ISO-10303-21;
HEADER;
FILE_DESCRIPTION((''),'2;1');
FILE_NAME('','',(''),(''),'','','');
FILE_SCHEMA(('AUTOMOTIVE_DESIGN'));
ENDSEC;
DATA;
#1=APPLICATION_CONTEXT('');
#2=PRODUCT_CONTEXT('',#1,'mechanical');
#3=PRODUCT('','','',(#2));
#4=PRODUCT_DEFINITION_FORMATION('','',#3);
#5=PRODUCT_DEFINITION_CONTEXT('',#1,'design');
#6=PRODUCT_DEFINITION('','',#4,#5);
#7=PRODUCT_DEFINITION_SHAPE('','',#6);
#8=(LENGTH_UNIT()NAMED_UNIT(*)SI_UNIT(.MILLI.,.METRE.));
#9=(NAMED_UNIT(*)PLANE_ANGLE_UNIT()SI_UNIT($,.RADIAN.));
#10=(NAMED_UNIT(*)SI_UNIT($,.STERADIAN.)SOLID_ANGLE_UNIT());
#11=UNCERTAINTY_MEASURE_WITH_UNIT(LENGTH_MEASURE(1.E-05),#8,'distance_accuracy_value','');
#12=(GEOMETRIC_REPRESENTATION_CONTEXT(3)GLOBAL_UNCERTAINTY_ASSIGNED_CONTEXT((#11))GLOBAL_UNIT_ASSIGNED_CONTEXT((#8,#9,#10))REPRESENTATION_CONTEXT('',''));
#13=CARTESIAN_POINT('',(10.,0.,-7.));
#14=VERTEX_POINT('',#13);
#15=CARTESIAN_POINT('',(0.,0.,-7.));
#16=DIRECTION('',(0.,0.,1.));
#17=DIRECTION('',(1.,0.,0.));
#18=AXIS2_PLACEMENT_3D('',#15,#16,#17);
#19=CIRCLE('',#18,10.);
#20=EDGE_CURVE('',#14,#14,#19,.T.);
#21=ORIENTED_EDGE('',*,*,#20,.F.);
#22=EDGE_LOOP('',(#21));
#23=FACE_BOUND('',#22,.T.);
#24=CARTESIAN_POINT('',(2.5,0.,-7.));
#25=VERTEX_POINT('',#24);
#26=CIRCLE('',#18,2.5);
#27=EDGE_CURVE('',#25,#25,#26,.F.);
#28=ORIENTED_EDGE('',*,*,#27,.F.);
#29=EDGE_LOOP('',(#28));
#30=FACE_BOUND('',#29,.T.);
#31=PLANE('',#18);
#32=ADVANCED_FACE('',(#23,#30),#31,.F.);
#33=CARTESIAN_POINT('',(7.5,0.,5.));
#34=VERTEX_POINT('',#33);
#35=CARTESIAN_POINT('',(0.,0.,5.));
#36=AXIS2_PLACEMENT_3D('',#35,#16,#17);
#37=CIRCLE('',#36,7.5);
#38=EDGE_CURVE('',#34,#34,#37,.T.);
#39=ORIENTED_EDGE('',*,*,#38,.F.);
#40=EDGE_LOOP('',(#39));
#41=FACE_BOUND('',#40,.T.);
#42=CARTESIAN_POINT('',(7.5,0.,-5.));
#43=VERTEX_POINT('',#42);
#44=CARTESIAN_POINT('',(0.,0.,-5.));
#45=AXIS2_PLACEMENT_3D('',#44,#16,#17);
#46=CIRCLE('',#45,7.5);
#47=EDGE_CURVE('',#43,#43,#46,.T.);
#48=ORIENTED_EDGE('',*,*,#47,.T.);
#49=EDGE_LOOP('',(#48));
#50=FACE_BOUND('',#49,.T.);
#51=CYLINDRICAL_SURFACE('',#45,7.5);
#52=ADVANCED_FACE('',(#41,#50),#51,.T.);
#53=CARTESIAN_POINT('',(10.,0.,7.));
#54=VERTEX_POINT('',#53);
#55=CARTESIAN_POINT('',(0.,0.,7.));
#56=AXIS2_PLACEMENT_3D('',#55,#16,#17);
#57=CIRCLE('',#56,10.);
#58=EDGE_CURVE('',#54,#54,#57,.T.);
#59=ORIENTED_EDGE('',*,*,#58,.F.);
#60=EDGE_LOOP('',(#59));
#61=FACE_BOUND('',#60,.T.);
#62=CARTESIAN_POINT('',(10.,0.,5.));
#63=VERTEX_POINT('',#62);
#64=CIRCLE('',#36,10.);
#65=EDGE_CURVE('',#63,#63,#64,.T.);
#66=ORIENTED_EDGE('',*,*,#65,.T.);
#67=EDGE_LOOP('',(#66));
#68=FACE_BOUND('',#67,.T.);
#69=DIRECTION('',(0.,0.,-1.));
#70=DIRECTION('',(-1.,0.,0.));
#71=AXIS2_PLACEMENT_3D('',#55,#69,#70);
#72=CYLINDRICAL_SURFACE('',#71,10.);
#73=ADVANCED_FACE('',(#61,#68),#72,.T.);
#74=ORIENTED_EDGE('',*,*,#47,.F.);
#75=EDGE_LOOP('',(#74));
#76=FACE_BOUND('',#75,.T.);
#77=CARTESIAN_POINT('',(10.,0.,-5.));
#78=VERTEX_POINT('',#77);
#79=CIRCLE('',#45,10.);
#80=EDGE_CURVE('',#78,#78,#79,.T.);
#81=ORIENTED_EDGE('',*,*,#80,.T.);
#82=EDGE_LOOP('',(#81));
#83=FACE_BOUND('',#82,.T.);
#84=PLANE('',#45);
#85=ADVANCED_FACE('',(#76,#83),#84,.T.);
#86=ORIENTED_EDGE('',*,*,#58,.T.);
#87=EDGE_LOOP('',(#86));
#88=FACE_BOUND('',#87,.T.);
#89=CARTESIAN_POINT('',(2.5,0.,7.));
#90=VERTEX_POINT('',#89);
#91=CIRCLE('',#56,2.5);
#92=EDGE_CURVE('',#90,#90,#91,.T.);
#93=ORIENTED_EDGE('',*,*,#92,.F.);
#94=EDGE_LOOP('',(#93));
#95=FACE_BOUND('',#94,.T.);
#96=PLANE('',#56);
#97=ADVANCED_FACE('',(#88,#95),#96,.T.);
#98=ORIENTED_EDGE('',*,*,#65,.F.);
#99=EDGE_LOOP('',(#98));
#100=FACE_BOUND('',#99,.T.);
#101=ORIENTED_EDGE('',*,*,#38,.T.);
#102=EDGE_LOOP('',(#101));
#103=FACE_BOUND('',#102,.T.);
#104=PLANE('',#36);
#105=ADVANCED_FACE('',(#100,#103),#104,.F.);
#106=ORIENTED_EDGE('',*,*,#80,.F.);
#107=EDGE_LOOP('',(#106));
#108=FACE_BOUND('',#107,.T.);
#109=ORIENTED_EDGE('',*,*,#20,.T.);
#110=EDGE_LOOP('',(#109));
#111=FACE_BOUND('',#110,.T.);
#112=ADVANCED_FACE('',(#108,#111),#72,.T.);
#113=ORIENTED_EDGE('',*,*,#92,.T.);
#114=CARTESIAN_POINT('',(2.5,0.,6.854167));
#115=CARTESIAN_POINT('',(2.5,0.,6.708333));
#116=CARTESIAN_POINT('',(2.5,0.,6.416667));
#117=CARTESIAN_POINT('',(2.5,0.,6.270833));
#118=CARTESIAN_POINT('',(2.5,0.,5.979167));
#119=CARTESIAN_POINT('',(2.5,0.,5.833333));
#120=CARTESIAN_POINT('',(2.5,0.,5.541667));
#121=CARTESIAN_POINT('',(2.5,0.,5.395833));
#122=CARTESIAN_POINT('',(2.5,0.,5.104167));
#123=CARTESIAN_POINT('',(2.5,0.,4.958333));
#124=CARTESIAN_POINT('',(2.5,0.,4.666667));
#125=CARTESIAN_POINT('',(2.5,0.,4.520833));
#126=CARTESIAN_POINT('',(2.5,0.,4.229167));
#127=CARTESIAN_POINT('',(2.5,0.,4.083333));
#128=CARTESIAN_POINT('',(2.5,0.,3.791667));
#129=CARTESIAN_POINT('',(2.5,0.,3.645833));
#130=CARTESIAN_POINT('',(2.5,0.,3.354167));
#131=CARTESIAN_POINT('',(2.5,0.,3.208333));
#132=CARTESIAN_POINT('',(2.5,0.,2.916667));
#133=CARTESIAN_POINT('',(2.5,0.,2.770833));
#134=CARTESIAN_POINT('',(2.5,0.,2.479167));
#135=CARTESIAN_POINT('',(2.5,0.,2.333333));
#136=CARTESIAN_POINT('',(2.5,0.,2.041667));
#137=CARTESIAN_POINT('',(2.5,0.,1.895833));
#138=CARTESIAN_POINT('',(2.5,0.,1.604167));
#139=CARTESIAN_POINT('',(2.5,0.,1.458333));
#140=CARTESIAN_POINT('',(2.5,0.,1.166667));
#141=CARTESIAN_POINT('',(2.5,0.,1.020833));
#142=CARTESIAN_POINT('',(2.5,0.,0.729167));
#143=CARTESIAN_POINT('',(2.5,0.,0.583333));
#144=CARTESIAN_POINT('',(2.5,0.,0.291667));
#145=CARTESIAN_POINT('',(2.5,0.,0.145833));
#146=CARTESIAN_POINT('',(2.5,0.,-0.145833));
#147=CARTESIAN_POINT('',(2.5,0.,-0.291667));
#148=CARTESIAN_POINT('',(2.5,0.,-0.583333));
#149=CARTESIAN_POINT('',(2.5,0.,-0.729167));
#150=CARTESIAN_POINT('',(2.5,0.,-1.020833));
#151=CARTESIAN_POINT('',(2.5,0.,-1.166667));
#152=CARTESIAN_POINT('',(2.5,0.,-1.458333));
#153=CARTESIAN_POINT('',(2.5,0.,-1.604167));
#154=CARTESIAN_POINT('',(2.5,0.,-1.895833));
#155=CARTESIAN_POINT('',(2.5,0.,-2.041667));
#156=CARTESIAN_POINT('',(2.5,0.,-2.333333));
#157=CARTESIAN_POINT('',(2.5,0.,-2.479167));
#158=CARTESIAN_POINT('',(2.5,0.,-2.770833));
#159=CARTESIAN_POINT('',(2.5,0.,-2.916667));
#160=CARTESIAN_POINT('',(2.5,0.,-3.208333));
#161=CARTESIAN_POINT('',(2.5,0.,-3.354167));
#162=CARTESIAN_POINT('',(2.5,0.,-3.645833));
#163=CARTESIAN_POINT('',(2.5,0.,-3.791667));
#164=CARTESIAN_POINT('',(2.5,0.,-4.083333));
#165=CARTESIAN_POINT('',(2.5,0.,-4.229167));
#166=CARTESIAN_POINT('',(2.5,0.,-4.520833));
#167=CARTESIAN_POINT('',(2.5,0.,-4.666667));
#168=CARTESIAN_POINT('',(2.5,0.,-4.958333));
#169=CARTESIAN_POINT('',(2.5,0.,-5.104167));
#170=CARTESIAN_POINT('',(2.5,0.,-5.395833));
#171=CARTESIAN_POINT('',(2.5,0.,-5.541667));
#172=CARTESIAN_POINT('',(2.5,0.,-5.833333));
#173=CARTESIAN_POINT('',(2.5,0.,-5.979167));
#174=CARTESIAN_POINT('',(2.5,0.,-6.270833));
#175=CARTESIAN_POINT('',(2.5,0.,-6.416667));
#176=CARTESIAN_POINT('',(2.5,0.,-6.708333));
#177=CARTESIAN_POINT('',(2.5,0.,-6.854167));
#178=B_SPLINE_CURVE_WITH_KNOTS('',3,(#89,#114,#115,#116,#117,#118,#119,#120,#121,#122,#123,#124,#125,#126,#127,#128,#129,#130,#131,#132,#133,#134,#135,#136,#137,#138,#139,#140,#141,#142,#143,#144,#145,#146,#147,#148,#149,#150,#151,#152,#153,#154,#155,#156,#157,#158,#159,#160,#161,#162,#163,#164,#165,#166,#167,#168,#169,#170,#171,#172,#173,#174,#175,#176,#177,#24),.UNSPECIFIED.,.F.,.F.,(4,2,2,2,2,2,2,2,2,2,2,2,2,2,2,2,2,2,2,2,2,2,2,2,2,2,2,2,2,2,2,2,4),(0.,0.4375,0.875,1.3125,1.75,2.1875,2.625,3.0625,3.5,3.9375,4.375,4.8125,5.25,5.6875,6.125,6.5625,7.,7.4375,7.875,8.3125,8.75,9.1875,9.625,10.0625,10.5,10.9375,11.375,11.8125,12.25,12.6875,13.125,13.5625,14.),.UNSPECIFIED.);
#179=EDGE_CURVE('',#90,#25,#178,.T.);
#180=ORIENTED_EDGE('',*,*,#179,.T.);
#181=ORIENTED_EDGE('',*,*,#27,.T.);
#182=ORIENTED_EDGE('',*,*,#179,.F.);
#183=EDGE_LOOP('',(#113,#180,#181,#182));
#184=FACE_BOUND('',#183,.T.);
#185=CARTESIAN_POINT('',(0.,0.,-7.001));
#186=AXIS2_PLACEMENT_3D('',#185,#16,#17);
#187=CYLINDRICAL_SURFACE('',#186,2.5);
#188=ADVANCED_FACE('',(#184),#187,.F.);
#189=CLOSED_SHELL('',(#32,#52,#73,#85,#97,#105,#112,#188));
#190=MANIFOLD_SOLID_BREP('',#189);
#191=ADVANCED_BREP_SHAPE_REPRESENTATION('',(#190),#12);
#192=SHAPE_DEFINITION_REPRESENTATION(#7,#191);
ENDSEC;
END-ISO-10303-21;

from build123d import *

# Parameters (mm, degrees)
SKETCH1_R           = 10
BOSS_EXTRUDE1_DEPTH = 7
SKETCH2_R           = 10
SKETCH2_R_2         = 7.5
CUT_EXTRUDE2_DEPTH  = 5
CUT_EXTRUDE3_REACH  = 21.9
SKETCH3_R           = 2.5


with BuildPart() as part:
    # Sketch1 → Boss-Extrude1 (new, symmetric)
    with BuildSketch(Plane.XY):
        Circle(SKETCH1_R)
    extrude(amount=BOSS_EXTRUDE1_DEPTH, both=True)

    # Sketch2 → Cut-Extrude2 (cut, symmetric)
    with BuildSketch(Plane.XY):
        Circle(SKETCH2_R)
        Circle(SKETCH2_R_2, mode=Mode.SUBTRACT)
    extrude(amount=CUT_EXTRUDE2_DEPTH, both=True, mode=Mode.SUBTRACT)

    # Sketch3 → Cut-Extrude3 (cut, up to next)
    with BuildSketch(Plane.XY.offset(7), mode=Mode.PRIVATE) as cut_extrude3_sk1:
        Circle(SKETCH3_R)
    cut_extrude3_tool1 = extrude(cut_extrude3_sk1.sketch, amount=-CUT_EXTRUDE3_REACH, mode=Mode.PRIVATE) & part.part
    add(cut_extrude3_tool1.solids().sort_by_distance((0, 0, 7))[0], mode=Mode.SUBTRACT)


solid = part.part
